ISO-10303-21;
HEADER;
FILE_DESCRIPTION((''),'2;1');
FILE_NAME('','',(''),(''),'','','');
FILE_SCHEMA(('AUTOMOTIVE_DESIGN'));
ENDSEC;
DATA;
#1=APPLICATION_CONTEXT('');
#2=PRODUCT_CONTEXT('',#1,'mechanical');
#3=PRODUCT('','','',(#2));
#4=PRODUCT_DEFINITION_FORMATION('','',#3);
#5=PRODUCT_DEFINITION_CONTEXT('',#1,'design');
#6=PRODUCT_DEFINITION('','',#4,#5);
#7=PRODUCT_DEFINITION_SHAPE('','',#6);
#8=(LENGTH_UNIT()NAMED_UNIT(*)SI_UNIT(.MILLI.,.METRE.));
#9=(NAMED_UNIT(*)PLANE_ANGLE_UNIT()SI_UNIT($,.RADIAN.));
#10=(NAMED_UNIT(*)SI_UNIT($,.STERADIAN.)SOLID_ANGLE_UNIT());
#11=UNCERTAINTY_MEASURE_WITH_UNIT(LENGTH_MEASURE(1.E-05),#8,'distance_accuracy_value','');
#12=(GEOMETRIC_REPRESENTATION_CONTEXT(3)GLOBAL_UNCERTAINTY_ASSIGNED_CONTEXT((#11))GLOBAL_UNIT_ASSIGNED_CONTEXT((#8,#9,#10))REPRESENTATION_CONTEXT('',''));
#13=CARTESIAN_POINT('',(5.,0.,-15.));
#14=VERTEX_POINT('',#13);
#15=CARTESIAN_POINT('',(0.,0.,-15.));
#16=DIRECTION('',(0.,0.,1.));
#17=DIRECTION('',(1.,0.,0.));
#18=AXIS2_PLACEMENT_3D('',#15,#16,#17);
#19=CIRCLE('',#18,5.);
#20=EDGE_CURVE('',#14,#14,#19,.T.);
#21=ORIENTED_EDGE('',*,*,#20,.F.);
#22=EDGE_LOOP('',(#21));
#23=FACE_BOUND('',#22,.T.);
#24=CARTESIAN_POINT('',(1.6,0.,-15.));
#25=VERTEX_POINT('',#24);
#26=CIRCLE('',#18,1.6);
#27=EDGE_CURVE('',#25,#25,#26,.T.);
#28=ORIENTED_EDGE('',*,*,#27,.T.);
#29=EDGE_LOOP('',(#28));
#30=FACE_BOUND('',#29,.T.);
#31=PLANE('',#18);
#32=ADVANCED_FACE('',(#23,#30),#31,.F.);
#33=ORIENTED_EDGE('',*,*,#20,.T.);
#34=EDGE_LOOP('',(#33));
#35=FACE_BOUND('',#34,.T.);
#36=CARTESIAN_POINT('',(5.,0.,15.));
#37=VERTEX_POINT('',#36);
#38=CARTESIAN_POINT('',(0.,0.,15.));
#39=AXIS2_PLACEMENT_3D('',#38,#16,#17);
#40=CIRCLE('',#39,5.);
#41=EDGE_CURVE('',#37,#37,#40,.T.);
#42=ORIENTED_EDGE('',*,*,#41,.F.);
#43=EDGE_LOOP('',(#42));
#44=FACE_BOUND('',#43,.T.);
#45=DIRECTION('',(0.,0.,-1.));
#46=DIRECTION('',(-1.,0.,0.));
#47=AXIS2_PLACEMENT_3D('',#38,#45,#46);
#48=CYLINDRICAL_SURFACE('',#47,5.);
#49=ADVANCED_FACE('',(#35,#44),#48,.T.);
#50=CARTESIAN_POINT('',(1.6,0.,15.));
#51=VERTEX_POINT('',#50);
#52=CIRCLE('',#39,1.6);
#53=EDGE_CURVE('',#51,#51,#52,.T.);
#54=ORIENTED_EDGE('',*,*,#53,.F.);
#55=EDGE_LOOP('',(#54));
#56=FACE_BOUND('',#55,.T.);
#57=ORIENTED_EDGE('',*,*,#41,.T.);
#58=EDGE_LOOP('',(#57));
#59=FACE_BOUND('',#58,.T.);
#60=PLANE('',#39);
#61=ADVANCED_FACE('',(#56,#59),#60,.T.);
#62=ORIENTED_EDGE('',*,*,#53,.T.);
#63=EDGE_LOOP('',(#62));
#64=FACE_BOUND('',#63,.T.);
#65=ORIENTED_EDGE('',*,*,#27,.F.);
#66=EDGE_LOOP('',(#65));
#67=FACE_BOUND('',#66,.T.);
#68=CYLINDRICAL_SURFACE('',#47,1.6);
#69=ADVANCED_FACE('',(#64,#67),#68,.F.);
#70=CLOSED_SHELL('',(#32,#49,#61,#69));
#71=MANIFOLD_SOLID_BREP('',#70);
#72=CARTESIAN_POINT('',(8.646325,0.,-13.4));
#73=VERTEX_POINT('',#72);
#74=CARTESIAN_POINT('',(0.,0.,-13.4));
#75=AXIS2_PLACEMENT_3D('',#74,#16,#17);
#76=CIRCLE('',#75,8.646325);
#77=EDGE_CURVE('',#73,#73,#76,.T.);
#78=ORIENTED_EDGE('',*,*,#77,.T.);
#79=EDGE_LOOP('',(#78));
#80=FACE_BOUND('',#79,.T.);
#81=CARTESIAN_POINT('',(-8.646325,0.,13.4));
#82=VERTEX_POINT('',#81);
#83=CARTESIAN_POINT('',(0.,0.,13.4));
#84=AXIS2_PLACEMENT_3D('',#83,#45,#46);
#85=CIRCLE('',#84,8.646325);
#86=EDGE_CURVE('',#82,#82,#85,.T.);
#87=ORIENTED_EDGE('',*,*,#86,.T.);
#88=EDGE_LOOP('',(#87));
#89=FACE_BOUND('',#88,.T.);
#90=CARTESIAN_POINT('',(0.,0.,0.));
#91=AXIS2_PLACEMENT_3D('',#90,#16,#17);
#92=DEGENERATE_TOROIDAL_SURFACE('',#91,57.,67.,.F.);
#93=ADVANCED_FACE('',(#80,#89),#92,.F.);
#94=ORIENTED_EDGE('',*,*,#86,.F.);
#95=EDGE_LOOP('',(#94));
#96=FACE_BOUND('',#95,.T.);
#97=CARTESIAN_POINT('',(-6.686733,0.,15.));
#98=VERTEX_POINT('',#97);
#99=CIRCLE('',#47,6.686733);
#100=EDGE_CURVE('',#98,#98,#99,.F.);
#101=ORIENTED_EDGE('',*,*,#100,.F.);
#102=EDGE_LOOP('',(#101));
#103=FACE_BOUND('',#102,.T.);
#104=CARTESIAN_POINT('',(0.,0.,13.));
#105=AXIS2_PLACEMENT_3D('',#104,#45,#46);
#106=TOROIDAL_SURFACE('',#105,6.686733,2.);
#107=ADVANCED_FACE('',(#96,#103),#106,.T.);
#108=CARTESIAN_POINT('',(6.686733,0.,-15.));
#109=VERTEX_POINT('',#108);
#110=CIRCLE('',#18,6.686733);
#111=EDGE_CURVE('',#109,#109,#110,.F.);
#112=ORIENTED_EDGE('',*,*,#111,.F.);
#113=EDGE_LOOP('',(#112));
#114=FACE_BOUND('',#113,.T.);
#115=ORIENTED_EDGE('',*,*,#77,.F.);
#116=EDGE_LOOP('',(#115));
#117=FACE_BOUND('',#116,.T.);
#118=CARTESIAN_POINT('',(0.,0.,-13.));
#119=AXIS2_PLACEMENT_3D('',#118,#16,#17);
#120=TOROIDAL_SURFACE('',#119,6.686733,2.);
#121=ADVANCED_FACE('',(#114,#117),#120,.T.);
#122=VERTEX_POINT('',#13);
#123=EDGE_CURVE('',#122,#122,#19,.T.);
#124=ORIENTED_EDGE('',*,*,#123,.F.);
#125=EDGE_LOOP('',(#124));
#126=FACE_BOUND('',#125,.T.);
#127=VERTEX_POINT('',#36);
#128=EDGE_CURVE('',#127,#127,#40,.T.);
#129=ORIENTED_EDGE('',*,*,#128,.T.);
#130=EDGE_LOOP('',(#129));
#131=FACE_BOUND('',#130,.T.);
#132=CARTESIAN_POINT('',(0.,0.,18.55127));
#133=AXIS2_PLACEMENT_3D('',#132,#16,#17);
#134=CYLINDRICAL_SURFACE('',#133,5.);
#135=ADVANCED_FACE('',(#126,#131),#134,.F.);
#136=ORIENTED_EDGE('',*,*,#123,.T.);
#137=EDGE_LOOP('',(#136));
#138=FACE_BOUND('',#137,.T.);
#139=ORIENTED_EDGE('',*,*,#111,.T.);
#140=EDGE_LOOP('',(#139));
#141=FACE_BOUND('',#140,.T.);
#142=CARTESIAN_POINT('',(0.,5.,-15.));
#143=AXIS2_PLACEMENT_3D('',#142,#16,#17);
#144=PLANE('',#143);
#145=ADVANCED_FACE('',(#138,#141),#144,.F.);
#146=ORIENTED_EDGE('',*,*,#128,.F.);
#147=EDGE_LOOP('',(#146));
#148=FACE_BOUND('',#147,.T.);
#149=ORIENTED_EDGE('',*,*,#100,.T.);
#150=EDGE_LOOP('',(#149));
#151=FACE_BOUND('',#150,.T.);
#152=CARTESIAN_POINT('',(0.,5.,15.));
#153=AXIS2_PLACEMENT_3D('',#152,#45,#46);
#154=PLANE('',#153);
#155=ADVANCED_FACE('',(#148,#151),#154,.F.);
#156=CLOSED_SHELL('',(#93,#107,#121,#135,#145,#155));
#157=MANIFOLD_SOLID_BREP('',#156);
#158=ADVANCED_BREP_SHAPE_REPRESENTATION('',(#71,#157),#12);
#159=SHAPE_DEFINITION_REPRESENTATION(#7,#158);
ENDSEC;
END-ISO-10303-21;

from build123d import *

# Parameters (mm, degrees)
VERRUNDUNG1_R                        = 2
AUFSATZ_LINEAR_AUSTRAGEN1_DEPTH      = 15
AUFSATZ_LINEAR_AUSTRAGEN1_DEPTH_BACK = 15
SKIZZE2_R                            = 5
SKIZZE2_R_2                          = 1.6


with BuildPart() as part:
    # Skizze1 → Rotation1 (revolve)
    with BuildSketch(Plane(origin=(0, 0, 0), x_dir=(0, 0, -1), z_dir=(1, 0, 0)), mode=Mode.PRIVATE) as rotation1_sk:
        with BuildLine():
            Line((-15, 5), (15, 5))
            Line((15, 5), (15, 8.299310869))
            ThreePointArc((15, 8.299310869), (0, 10), (-15, 8.299310869))
            Line((-15, 8.299310869), (-15, 5))
        make_face()
    revolve(rotation1_sk.sketch.rotate(Axis((0, 0, 18.551269556), (0, 0, -1)), 90), axis=Axis((0, 0, 18.551269556), (0, 0, -1)))

    # Verrundung1
    verrundung1_edges = [part.edges().sort_by_distance(p)[0] for p in [
        (-8.299310869, 0, 15),
        (-8.299310869, 0, -15),
    ]]
    fillet(verrundung1_edges, radius=VERRUNDUNG1_R)


with BuildPart() as body_2:
    # Skizze2 → Aufsatz-Linear austragen1 (new, two sides: drawn at the far end of the back side and taken through both)
    with BuildSketch(Plane.XY.offset(-AUFSATZ_LINEAR_AUSTRAGEN1_DEPTH_BACK)):
        Circle(SKIZZE2_R)
        Circle(SKIZZE2_R_2, mode=Mode.SUBTRACT)
    extrude(amount=AUFSATZ_LINEAR_AUSTRAGEN1_DEPTH + AUFSATZ_LINEAR_AUSTRAGEN1_DEPTH_BACK)


solid = Compound([part.part, body_2.part])
